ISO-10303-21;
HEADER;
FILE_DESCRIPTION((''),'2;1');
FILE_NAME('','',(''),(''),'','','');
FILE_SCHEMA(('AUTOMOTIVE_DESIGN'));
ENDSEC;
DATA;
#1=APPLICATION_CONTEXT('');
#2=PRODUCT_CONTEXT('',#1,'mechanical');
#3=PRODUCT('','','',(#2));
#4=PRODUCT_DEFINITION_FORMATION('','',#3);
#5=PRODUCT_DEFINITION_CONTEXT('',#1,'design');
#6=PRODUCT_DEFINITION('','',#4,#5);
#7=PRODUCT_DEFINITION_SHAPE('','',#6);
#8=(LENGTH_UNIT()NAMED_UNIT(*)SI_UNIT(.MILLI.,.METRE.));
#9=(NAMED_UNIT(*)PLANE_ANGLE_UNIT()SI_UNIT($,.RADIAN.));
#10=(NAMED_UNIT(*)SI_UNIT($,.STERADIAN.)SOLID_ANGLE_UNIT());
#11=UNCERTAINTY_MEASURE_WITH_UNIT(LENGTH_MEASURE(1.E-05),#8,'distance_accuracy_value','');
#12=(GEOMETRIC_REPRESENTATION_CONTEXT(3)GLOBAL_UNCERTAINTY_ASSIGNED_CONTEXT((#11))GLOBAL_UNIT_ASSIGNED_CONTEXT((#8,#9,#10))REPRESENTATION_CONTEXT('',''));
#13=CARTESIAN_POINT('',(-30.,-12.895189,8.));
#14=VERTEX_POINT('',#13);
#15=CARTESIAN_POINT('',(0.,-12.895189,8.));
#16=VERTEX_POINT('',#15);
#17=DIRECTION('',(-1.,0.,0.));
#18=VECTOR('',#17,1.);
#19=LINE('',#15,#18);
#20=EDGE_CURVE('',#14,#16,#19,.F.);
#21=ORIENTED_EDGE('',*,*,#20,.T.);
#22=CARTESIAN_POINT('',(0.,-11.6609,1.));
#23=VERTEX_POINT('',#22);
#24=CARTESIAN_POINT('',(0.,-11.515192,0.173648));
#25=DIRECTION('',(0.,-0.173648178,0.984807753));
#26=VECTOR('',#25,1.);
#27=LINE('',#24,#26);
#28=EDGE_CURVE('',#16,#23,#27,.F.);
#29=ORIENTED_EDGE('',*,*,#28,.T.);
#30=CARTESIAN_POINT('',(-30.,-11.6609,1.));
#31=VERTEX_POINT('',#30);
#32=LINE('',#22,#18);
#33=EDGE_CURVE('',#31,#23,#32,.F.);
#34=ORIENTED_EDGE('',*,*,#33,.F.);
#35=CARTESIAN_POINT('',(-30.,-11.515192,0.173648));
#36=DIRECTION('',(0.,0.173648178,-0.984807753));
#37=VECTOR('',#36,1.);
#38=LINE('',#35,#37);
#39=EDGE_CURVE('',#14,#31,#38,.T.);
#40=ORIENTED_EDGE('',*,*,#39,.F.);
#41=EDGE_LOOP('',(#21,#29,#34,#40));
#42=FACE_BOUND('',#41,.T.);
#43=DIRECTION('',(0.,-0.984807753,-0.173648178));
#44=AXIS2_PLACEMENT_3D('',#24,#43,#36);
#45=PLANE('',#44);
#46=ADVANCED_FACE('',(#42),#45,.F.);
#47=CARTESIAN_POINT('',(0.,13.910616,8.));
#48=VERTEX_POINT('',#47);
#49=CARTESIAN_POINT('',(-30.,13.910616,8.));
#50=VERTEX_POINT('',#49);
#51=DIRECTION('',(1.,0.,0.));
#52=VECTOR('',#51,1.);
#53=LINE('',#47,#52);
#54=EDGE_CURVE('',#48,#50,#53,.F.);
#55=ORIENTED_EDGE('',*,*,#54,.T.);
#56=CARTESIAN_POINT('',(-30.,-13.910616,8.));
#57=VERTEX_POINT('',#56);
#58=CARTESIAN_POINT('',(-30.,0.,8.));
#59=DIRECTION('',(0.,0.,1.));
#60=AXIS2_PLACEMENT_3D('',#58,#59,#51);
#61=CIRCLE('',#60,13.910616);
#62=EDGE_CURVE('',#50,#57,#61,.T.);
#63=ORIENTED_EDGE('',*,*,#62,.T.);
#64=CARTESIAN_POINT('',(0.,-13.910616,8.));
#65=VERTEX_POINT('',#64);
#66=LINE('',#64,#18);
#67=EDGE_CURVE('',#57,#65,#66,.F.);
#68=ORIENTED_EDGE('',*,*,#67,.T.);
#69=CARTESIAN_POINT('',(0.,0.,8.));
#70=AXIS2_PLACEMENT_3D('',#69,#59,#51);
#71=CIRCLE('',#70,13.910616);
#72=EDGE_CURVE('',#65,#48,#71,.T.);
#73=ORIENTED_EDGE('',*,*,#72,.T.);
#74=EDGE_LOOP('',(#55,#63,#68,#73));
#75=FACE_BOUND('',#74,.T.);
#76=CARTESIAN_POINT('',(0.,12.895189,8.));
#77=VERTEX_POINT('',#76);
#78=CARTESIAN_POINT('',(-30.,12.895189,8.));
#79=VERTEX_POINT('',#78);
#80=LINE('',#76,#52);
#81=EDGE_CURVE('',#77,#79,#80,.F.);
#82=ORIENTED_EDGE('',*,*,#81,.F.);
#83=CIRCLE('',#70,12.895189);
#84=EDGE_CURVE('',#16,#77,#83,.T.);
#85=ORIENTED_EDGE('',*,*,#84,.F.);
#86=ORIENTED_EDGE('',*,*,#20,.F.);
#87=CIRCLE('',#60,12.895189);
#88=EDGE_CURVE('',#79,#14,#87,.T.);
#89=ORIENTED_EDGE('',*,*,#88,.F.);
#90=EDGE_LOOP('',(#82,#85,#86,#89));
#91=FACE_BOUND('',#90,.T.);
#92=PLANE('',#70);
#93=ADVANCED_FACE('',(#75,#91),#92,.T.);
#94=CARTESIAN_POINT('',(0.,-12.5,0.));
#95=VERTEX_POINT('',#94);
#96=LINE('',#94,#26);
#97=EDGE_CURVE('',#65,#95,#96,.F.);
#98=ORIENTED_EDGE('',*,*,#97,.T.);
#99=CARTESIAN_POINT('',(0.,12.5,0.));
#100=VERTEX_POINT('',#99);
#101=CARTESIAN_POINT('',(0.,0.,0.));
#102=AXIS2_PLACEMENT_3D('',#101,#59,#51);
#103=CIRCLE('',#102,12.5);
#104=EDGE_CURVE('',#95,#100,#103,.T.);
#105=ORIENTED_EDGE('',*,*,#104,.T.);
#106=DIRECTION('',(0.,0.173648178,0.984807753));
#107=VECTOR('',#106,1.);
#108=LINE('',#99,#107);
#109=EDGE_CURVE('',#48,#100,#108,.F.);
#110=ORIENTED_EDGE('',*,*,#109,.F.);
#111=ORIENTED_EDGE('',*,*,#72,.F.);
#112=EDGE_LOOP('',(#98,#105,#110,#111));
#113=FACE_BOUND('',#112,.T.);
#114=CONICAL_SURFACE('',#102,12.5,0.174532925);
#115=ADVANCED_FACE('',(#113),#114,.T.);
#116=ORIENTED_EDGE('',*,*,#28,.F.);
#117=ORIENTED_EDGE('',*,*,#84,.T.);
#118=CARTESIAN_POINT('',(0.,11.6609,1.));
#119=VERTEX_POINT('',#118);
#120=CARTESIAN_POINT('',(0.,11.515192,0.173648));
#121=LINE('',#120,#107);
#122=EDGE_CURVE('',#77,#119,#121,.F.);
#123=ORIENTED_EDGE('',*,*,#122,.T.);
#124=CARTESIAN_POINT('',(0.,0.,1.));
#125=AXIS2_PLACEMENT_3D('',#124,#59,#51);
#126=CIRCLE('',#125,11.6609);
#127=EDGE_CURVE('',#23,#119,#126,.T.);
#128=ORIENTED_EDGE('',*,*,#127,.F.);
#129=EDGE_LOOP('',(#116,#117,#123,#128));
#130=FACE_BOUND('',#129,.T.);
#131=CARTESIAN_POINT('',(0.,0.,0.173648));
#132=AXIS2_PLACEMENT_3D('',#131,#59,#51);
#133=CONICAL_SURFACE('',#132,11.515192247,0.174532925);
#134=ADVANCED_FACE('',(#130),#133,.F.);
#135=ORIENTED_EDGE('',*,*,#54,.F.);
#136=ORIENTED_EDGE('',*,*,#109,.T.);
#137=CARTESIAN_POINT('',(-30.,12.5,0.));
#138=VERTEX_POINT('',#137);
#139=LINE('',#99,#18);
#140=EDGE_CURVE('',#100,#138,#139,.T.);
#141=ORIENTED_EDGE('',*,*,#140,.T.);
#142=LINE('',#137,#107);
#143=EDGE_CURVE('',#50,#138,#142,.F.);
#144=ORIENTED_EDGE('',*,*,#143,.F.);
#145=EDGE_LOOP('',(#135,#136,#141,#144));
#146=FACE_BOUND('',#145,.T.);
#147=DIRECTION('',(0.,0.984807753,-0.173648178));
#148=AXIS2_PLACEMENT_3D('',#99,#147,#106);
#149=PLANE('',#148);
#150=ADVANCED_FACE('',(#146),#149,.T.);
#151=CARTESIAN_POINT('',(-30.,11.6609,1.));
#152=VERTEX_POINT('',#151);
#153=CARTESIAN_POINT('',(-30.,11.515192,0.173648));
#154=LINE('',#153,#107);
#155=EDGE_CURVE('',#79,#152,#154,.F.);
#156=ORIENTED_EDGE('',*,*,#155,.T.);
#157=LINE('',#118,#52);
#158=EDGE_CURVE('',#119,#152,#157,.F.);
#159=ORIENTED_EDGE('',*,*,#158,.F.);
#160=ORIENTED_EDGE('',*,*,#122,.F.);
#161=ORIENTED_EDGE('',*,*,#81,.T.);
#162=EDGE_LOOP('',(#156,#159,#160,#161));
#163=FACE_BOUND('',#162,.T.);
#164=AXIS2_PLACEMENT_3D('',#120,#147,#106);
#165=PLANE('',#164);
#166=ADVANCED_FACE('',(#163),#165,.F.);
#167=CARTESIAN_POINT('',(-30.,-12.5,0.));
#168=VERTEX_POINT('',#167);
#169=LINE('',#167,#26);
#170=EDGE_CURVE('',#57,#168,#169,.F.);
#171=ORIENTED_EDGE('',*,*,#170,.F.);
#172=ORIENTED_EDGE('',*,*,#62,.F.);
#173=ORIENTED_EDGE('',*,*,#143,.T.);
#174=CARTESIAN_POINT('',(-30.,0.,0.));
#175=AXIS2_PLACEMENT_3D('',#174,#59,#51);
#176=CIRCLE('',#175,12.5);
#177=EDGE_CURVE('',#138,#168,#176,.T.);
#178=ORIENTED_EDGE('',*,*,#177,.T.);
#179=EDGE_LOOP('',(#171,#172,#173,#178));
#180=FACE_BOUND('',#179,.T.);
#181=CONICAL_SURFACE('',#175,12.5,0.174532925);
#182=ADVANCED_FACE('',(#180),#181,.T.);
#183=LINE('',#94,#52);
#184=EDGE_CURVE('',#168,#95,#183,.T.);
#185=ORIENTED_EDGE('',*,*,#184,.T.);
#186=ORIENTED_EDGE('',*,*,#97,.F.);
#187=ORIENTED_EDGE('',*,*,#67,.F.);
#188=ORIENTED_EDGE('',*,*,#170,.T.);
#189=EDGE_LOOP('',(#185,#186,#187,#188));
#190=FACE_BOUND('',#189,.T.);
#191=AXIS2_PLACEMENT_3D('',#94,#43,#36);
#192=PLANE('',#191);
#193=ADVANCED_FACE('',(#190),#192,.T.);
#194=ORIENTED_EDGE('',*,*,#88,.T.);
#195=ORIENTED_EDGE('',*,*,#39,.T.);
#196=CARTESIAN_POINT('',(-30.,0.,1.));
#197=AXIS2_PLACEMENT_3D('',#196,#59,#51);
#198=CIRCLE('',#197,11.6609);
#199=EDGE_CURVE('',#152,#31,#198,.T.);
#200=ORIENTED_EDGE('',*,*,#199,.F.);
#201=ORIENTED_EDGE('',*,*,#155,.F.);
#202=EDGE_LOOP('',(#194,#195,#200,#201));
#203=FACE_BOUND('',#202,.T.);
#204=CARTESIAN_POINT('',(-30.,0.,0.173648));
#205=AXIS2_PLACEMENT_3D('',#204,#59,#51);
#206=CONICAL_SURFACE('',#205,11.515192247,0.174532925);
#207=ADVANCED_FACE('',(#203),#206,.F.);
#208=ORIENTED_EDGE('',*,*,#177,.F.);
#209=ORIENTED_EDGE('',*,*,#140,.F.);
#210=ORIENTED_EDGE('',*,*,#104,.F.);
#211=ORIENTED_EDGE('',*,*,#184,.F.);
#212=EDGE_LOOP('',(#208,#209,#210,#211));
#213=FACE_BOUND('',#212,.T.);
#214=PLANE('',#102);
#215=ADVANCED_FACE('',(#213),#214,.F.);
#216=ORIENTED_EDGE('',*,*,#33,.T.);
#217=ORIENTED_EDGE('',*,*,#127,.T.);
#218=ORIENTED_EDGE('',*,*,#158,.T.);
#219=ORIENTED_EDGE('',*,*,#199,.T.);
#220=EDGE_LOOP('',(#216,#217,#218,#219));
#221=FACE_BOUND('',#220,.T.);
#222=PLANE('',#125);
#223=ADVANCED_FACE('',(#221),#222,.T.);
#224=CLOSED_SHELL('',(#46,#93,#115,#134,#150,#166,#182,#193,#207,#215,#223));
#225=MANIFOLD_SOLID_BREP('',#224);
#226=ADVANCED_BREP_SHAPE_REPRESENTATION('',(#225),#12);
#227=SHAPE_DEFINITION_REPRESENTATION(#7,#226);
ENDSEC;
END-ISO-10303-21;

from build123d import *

# Parameters (mm, degrees)
BOSS_EXTRUDE1_DEPTH = 8
BOSS_EXTRUDE1_DRAFT = -10
SHELL1_T            = -1


with BuildPart() as part:
    # Sketch1 → Boss-Extrude1 (with draft: the straight prism first)
    with BuildSketch(Plane.XY):
        with BuildLine():
            ThreePointArc((0, -12.5), (12.5, 0), (0, 12.5))
            Line((0, 12.5), (-30, 12.5))
            ThreePointArc((-30, 12.5), (-42.5, 0), (-30, -12.5))
            Line((-30, -12.5), (0, -12.5))
        make_face()
    extrude(amount=BOSS_EXTRUDE1_DEPTH)
    # Boss-Extrude1: the draft: its side faces are tilted about the plane it starts from
    boss_extrude1_sides = [part.faces().sort_by_distance(p)[0] for p in [
        (-15, -12.5, 4),
        (12.5, 0, 4),
        (-15, 12.5, 4),
        (-42.5, 0, 4),
    ]]
    draft(boss_extrude1_sides, Plane.XY, BOSS_EXTRUDE1_DRAFT)

    # Shell1
    shell1_openings = [part.faces().sort_by_distance(p)[0] for p in [
        (-15, 0, 8),
    ]]
    offset(amount=SHELL1_T, openings=shell1_openings, kind=Kind.INTERSECTION)


solid = part.part
